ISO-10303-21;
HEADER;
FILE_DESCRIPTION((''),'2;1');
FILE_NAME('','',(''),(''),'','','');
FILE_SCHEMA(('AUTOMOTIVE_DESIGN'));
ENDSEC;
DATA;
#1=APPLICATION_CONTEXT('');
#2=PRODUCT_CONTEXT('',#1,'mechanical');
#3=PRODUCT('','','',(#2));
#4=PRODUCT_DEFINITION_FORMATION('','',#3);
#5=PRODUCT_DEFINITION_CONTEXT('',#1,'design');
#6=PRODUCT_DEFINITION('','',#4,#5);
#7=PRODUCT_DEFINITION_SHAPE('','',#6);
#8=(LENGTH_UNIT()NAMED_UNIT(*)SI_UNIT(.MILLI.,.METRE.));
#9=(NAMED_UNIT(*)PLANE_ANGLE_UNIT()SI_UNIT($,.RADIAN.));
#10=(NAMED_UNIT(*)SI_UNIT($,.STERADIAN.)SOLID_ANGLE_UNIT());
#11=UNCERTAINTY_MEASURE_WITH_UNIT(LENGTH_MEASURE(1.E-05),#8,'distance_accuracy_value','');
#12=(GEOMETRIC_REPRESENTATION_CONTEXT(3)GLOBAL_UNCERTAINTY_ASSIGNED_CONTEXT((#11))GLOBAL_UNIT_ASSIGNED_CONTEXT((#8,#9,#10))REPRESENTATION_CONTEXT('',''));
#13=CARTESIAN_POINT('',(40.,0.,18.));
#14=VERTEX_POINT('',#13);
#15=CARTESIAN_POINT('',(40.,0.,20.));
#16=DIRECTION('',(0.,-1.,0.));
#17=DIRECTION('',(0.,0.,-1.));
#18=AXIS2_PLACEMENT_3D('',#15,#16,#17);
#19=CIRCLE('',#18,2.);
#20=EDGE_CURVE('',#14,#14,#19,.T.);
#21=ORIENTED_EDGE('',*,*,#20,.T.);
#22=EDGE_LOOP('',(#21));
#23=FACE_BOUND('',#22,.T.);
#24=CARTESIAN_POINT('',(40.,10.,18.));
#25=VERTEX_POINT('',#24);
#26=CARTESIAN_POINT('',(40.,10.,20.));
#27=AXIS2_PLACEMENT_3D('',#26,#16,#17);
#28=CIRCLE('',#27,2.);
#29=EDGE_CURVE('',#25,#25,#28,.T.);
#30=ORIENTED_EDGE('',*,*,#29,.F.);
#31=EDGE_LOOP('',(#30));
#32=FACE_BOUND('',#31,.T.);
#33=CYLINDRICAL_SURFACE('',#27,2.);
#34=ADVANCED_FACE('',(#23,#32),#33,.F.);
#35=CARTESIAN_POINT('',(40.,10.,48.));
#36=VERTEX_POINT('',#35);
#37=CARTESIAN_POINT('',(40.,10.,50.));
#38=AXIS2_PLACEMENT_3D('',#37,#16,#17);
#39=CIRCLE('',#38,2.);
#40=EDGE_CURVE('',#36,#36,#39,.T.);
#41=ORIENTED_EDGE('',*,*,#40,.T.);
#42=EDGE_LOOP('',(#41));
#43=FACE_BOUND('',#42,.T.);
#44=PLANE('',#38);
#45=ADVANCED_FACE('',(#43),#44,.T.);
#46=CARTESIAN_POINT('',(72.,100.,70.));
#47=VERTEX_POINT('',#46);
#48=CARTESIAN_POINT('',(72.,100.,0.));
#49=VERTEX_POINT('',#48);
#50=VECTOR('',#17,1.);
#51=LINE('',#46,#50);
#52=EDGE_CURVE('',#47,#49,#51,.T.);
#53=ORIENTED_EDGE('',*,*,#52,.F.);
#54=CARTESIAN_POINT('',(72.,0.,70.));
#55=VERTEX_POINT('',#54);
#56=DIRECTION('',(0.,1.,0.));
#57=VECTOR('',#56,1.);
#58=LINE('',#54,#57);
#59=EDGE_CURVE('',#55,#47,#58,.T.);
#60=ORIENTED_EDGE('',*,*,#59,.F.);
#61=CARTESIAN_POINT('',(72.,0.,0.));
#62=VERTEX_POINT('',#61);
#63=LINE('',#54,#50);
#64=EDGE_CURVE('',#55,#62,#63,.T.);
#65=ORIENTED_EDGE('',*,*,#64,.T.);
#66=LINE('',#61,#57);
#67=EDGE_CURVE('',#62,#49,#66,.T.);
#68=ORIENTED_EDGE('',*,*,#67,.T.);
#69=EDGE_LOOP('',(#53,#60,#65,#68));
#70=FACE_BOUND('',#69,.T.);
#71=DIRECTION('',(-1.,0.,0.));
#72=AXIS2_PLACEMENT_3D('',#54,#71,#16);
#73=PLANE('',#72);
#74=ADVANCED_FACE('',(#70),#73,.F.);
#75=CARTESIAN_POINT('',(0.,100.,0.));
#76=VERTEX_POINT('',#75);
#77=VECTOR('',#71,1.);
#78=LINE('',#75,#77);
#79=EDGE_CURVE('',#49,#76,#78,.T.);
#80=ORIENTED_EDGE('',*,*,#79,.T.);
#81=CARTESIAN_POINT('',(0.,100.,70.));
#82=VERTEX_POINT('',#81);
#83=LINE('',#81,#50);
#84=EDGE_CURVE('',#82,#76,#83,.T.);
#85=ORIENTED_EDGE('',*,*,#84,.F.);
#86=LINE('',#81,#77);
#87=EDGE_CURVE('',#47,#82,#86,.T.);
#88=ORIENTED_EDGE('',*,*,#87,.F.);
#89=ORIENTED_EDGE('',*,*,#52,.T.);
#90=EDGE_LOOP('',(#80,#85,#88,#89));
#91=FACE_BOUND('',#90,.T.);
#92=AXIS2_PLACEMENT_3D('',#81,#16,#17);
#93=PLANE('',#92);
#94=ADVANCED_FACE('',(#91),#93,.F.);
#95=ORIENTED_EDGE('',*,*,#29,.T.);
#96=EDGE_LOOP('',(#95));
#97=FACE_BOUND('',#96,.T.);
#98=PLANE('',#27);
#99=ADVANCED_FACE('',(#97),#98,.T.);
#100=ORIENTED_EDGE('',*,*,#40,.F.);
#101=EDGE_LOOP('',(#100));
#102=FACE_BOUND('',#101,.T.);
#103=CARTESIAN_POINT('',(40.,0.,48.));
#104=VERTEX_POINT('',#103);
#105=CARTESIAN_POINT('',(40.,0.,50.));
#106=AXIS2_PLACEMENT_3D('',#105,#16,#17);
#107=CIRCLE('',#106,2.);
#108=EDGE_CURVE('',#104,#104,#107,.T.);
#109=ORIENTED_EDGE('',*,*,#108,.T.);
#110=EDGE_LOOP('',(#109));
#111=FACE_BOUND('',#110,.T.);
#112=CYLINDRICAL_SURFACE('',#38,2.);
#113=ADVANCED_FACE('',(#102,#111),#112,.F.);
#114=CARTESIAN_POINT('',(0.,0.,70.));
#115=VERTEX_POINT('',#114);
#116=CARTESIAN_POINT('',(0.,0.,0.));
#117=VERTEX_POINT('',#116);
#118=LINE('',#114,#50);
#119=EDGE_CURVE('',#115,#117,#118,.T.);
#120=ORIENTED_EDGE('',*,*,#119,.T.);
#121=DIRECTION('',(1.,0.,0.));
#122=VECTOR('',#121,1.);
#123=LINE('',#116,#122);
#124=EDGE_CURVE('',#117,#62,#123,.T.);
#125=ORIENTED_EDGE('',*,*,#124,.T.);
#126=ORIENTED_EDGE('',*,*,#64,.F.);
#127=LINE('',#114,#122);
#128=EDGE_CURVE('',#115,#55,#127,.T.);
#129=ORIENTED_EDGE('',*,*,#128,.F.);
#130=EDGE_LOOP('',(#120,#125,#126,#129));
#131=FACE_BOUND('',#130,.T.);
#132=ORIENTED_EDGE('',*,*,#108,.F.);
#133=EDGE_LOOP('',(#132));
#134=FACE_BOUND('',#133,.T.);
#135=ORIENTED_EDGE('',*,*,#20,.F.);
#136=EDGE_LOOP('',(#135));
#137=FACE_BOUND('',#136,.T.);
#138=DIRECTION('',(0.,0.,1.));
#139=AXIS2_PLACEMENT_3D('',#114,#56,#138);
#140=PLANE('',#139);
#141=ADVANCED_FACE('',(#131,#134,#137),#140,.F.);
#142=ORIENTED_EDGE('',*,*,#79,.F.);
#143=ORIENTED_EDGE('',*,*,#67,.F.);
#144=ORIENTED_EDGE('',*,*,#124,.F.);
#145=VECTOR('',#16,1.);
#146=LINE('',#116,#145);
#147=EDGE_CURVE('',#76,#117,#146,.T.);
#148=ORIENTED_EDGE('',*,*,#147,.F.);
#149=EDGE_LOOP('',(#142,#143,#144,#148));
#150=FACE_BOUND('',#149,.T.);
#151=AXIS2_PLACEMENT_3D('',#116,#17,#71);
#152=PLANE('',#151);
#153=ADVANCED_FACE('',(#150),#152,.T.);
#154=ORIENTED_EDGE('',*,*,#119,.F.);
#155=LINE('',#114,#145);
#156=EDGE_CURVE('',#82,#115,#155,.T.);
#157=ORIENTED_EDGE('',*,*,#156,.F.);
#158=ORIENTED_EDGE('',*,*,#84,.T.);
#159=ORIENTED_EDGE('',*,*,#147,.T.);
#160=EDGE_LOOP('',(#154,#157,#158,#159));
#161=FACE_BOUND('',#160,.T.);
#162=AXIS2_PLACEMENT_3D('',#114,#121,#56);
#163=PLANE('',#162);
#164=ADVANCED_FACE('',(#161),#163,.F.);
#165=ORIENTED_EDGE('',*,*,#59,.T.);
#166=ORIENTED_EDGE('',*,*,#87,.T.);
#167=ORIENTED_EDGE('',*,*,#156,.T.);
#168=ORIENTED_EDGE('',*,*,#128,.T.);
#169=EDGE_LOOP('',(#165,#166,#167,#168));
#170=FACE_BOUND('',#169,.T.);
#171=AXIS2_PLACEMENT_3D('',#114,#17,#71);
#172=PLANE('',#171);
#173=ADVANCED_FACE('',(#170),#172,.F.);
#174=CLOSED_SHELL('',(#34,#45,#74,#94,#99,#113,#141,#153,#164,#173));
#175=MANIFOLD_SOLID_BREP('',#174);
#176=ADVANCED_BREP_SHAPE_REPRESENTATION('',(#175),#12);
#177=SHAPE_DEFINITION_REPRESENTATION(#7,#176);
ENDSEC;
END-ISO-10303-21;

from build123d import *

# Parameters (mm, degrees)
SKETCH_1_W          = 72
SKETCH_1_H          = 100
EXTRUDE_1_DEPTH     = 70
SKETCH_2_R          = 2
CUT_EXTRUDE_1_DEPTH = 10


with BuildPart() as part:
    # Эскиз1 → Бобышка-Вытянуть1 (new body)
    with BuildSketch(Plane.XY):
        with Locations((36, 50)):
            Rectangle(SKETCH_1_W, SKETCH_1_H)
    extrude(amount=EXTRUDE_1_DEPTH)

    # Эскиз2 → Вырез-Вытянуть1 (cut)
    with BuildSketch(Plane.XZ):
        with Locations((40, 50)):
            Circle(SKETCH_2_R)
        with Locations((40, 20)):
            Circle(SKETCH_2_R)
    extrude(amount=-CUT_EXTRUDE_1_DEPTH, mode=Mode.SUBTRACT)


solid = part.part
